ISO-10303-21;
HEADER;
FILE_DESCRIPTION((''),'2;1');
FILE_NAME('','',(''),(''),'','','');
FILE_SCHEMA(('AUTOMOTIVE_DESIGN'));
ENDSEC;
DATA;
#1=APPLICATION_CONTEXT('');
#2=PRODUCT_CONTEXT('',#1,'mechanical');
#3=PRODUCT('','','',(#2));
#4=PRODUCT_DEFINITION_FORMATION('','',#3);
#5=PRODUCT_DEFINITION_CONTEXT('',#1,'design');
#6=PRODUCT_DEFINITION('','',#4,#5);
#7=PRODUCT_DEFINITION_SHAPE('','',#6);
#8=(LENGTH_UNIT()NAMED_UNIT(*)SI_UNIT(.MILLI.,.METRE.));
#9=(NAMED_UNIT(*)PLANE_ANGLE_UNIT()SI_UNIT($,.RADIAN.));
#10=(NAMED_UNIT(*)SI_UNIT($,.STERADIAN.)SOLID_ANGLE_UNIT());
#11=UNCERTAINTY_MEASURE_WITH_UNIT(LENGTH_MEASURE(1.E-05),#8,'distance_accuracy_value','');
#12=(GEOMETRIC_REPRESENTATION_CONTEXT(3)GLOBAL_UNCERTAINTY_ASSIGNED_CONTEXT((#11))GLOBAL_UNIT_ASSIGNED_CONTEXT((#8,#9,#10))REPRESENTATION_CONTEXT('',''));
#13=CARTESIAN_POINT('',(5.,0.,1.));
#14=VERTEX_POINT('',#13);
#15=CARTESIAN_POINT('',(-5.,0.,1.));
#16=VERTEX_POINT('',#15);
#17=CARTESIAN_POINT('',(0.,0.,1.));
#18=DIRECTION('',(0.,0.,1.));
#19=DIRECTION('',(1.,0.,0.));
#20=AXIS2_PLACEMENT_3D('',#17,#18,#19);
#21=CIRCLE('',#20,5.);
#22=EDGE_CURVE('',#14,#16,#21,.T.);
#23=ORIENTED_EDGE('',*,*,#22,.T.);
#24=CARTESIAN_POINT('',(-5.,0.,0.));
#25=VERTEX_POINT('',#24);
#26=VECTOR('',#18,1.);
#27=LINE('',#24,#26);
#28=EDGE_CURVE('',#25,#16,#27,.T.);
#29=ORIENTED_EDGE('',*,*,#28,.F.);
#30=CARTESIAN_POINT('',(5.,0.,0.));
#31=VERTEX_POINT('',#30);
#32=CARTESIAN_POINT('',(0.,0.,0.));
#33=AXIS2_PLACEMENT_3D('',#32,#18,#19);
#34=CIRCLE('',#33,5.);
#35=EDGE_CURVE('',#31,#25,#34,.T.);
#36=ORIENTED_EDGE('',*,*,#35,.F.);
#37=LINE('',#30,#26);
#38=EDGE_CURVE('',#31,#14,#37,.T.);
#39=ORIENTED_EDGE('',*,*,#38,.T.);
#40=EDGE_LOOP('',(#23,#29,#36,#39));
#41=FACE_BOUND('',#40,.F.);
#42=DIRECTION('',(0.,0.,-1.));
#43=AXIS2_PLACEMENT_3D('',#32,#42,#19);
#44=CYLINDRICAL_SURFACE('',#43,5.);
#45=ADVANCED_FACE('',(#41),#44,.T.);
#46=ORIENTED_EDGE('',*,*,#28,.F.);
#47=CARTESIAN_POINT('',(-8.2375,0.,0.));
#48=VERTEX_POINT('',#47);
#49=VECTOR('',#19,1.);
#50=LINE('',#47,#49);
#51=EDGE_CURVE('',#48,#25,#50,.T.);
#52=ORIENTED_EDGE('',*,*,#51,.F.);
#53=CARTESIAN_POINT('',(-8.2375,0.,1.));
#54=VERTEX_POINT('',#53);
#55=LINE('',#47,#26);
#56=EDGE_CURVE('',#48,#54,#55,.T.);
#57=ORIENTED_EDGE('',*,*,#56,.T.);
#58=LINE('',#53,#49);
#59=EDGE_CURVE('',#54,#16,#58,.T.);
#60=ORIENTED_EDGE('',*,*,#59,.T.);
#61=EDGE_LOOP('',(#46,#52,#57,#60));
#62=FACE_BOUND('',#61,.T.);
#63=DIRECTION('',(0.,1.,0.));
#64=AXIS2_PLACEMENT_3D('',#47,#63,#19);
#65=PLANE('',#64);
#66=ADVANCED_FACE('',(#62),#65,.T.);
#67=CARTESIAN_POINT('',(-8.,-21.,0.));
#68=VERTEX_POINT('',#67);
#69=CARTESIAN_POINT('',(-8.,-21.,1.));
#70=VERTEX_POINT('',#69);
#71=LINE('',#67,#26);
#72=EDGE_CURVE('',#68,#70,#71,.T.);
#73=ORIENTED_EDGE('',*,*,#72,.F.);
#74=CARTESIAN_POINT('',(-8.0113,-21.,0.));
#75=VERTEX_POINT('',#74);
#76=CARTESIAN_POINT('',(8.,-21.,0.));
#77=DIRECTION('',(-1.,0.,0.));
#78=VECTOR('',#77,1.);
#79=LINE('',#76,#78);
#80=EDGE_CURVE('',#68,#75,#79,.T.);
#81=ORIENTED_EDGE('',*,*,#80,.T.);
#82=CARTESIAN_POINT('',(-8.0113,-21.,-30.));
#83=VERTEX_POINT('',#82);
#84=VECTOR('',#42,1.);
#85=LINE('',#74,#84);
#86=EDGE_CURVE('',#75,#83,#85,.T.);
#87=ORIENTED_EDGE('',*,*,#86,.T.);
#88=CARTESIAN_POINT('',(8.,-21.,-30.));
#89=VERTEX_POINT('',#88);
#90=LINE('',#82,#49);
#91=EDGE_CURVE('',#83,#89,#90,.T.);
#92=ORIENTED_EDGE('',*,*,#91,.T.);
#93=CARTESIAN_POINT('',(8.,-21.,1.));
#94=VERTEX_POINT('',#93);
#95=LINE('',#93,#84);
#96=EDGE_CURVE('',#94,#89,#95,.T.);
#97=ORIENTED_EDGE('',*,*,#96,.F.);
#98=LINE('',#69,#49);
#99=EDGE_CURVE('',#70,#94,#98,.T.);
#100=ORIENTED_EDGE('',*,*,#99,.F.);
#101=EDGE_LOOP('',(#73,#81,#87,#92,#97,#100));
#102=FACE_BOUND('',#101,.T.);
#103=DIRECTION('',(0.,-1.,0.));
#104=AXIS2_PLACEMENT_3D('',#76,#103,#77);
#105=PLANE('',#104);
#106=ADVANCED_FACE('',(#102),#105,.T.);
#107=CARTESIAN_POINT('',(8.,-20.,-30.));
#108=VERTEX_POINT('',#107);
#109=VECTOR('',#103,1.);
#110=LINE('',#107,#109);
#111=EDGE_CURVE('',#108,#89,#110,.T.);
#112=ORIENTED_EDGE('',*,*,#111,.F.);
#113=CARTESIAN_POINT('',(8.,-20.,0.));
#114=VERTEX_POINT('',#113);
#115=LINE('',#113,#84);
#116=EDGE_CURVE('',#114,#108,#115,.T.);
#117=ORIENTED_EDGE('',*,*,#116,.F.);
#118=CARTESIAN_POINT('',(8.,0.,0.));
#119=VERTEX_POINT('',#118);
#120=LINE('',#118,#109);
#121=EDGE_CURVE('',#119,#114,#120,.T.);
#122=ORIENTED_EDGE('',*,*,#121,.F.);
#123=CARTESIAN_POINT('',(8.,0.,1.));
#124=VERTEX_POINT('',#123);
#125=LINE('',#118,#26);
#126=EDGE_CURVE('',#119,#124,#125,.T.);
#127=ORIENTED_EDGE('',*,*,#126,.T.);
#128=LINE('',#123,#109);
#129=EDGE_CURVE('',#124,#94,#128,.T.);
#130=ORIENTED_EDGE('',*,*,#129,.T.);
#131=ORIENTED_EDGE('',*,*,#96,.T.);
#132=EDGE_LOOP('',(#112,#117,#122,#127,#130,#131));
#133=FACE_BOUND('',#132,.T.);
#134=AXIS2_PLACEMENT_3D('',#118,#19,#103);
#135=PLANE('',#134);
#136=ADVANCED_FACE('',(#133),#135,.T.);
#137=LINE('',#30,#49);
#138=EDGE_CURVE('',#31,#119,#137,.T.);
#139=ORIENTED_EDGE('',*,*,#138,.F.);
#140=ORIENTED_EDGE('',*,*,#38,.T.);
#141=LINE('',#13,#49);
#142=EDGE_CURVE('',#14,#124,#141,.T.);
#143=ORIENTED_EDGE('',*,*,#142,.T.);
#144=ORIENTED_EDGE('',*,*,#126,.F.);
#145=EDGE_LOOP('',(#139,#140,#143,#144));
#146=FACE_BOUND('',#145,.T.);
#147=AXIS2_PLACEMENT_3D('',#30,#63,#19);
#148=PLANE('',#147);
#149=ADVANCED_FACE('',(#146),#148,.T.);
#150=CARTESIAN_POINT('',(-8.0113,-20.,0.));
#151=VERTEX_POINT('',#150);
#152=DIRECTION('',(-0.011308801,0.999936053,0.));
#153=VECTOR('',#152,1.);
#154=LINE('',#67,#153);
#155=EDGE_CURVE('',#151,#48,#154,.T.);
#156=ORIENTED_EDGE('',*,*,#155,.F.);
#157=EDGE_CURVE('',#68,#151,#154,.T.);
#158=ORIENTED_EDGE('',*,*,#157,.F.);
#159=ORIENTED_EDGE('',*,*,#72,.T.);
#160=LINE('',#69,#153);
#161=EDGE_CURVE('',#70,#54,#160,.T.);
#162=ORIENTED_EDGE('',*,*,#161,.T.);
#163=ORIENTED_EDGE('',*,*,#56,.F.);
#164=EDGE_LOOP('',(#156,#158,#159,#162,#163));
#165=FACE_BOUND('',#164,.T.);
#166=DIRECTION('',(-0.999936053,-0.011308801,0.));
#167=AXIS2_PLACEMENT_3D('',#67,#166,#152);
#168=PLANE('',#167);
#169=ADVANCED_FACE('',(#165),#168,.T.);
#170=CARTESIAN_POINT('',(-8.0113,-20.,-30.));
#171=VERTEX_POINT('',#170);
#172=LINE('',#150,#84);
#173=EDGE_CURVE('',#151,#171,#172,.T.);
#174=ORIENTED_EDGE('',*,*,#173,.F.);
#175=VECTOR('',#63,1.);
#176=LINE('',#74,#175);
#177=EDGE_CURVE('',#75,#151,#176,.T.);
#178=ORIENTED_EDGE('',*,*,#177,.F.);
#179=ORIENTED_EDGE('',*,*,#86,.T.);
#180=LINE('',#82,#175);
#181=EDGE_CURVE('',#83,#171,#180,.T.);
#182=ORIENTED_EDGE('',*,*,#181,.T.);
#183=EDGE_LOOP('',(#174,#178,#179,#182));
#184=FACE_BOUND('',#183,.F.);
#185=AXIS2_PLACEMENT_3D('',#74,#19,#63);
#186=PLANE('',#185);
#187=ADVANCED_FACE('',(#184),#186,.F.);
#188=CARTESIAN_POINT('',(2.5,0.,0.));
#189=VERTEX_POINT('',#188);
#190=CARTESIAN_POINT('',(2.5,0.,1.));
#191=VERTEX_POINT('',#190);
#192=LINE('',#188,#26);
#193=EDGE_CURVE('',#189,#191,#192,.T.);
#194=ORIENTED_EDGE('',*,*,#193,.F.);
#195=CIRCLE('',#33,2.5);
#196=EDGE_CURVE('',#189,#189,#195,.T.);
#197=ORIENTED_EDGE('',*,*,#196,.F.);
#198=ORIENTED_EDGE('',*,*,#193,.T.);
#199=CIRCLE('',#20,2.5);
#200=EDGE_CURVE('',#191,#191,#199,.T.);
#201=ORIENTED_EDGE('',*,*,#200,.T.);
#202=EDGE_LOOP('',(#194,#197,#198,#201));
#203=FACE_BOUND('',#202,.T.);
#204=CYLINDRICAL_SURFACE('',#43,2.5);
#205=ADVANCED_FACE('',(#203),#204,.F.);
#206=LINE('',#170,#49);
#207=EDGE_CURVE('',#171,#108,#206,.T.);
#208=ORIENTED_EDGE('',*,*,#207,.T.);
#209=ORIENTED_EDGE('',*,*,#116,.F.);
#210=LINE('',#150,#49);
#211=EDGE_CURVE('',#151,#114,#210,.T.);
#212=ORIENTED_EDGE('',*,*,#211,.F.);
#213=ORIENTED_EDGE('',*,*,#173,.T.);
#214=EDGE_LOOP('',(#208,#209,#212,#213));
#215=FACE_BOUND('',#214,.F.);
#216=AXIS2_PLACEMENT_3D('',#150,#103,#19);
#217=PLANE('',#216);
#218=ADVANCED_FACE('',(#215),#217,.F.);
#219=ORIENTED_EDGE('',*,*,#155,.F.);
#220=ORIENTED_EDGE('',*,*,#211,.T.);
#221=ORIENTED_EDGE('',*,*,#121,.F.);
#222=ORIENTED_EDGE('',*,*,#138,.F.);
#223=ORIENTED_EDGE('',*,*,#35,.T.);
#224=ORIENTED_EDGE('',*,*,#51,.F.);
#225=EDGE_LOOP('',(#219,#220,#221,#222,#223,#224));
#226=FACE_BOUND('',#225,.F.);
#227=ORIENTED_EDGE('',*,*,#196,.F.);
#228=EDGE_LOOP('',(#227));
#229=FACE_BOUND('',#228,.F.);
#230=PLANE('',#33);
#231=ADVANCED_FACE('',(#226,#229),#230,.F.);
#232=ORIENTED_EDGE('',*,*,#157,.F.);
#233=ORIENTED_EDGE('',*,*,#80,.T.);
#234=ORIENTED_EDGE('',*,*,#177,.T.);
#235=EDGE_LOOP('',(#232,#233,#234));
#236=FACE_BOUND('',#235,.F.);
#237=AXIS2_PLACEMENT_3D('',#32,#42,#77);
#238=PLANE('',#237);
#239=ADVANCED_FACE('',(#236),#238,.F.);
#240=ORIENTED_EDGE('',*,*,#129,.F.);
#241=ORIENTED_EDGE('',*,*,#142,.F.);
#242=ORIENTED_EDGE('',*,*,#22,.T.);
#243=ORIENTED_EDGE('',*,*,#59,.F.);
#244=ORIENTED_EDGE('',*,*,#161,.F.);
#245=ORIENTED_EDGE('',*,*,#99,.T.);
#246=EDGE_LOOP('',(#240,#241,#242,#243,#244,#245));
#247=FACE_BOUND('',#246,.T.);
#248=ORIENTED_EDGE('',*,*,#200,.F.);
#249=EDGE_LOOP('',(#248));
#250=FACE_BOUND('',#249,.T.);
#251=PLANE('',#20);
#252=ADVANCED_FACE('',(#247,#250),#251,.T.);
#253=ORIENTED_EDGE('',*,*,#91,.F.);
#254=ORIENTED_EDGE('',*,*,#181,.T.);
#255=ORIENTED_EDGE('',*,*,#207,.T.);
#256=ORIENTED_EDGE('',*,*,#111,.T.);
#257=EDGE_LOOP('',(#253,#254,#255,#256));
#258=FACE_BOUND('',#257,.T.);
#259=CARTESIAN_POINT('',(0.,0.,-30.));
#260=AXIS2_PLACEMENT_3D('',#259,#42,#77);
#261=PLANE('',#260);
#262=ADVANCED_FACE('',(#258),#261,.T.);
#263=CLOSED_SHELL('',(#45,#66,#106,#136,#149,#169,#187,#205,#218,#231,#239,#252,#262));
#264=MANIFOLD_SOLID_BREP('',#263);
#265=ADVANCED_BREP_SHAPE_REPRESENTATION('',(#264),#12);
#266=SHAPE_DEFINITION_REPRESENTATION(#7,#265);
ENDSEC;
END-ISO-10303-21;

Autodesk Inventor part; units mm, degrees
ref_plane "YZ Plane" through (0, 0, 0) normal (1, 0, 0) x (0, 1, 0)
ref_plane "XZ Plane" through (0, 0, 0) normal (0, 1, 0) x (-1, 0, 0)
ref_plane "XY Plane" through (0, 0, 0) normal (0, 0, 1) x (1, 0, 0)
sketch "Boceto1" plane through (0, 0, 0) normal (0, 0, 1) x (1, 0, 0)
  circle A0 centre (0, 0) radius 2.5
  line L0 (5, 0) -> (8, 0)
  line L1 (8, 0) -> (8, -21)
  line L2 (8, -21) -> (-5, -21)
  line L3 (-5, -21) -> (-8, -21)
  line L4 (-8, -21) -> (-8.2375, 0)
  line L5 (-8.2375, 0) -> (-5, 0)
  arc A1 (5, 0) -> (-5, 0) centre (0, 0) ccw
  dimension "d0" = 5
  dimension "d2" = 3
  dimension "d3" = 21
  dimension "d4" = 3
extrude "Extrusión1" add sketch "Boceto1" along normal blind 1
sketch "Boceto2" plane through (0, 0, 0) normal (0, 0, -1) x (-1, 0, 0)
  line L0 (8, -21) -> (-8, -21) projected
  line L1 (8.2375, 0) -> (8, -21) projected
  line L2 (-8, -21) -> (8.0113, -21)
  line L3 (8.0113, -21) -> (8.0113, -20)
  line L4 (8.0113, -20) -> (-8, -20)
  line L5 (-8, -20) -> (-8, -21)
  point P0 (0, 0)
  dimension "d7" = 1
extrude "Extrusión2" add sketch "Boceto2" along normal blind 30
properties part number "Resistencia_Lamina" material "Cobre, fundido"
